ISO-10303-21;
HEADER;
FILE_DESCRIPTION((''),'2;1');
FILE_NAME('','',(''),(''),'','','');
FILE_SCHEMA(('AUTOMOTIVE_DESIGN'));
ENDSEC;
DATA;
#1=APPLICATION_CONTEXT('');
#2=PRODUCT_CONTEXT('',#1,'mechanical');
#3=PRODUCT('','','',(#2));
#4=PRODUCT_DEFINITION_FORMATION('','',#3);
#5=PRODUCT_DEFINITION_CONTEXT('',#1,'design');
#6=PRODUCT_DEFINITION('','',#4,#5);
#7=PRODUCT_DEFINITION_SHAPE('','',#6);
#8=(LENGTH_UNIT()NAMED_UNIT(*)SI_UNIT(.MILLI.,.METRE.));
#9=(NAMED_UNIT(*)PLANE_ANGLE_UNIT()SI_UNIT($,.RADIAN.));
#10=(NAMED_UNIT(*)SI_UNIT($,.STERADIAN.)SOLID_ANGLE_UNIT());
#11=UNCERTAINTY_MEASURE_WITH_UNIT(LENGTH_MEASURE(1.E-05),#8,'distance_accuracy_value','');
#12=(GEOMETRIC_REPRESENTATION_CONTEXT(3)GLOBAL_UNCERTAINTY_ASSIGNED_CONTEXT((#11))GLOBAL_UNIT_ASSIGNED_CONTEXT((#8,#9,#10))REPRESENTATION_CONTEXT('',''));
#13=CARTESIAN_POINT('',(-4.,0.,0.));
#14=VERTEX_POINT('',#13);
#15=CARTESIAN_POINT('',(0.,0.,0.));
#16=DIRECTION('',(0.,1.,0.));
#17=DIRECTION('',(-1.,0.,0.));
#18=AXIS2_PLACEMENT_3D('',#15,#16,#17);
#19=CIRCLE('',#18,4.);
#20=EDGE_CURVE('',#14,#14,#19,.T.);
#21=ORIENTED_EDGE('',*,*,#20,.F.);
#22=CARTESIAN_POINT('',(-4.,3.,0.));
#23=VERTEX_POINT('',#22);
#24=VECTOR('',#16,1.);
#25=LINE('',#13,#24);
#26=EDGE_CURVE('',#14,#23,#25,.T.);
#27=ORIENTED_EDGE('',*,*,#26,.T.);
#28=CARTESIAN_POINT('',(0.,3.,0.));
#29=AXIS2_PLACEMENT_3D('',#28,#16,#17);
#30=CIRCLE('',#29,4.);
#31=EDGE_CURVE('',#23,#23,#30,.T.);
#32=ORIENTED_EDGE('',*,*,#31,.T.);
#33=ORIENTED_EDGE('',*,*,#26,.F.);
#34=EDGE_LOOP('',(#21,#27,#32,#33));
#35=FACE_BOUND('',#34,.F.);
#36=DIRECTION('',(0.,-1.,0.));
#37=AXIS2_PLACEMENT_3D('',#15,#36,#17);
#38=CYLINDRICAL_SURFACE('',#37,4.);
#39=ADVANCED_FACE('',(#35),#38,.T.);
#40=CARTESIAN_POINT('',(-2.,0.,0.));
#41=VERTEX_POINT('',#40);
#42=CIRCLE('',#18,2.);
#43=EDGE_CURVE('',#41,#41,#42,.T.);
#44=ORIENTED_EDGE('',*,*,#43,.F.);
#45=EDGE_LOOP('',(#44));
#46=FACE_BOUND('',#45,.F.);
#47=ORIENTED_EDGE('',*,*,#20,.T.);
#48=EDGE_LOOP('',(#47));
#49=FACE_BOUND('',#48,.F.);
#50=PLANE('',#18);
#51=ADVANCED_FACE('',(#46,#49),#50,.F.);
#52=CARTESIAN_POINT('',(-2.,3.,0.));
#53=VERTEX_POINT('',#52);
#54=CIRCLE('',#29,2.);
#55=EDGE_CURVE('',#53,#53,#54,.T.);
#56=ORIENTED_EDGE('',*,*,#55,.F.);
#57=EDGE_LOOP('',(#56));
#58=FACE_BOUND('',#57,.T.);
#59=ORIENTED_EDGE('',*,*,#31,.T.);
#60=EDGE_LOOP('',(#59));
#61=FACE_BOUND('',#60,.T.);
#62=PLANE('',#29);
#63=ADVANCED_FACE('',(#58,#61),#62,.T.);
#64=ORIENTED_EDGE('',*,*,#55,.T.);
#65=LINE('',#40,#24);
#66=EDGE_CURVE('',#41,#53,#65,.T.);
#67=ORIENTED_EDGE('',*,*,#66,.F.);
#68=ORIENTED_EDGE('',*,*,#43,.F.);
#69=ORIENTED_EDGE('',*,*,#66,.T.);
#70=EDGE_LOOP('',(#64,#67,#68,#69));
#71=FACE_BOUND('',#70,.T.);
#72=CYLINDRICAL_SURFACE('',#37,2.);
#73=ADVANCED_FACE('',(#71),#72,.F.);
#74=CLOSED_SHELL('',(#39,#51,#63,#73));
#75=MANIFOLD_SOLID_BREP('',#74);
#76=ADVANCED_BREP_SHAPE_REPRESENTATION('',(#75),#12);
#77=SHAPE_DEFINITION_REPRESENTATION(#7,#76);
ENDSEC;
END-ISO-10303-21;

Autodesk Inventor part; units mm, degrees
ref_plane "YZ Plane" through (0, 0, 0) normal (1, 0, 0) x (0, 1, 0)
ref_plane "XZ Plane" through (0, 0, 0) normal (0, 1, 0) x (-1, 0, 0)
ref_plane "XY Plane" through (0, 0, 0) normal (0, 0, 1) x (1, 0, 0)
sketch "スケッチ1" plane through (0, 0, 0) normal (0, 1, 0) x (-1, 0, 0)
  circle A0 centre (0, 0) radius 4
  circle A1 centre (0, 0) radius 2
  dimension "d0" = 8
  dimension "d1" = 4
extrude "押し出し1" add sketch "スケッチ1" along normal blind 3
properties part number "ハンド_ベアリング_4-8" material "鋼"
